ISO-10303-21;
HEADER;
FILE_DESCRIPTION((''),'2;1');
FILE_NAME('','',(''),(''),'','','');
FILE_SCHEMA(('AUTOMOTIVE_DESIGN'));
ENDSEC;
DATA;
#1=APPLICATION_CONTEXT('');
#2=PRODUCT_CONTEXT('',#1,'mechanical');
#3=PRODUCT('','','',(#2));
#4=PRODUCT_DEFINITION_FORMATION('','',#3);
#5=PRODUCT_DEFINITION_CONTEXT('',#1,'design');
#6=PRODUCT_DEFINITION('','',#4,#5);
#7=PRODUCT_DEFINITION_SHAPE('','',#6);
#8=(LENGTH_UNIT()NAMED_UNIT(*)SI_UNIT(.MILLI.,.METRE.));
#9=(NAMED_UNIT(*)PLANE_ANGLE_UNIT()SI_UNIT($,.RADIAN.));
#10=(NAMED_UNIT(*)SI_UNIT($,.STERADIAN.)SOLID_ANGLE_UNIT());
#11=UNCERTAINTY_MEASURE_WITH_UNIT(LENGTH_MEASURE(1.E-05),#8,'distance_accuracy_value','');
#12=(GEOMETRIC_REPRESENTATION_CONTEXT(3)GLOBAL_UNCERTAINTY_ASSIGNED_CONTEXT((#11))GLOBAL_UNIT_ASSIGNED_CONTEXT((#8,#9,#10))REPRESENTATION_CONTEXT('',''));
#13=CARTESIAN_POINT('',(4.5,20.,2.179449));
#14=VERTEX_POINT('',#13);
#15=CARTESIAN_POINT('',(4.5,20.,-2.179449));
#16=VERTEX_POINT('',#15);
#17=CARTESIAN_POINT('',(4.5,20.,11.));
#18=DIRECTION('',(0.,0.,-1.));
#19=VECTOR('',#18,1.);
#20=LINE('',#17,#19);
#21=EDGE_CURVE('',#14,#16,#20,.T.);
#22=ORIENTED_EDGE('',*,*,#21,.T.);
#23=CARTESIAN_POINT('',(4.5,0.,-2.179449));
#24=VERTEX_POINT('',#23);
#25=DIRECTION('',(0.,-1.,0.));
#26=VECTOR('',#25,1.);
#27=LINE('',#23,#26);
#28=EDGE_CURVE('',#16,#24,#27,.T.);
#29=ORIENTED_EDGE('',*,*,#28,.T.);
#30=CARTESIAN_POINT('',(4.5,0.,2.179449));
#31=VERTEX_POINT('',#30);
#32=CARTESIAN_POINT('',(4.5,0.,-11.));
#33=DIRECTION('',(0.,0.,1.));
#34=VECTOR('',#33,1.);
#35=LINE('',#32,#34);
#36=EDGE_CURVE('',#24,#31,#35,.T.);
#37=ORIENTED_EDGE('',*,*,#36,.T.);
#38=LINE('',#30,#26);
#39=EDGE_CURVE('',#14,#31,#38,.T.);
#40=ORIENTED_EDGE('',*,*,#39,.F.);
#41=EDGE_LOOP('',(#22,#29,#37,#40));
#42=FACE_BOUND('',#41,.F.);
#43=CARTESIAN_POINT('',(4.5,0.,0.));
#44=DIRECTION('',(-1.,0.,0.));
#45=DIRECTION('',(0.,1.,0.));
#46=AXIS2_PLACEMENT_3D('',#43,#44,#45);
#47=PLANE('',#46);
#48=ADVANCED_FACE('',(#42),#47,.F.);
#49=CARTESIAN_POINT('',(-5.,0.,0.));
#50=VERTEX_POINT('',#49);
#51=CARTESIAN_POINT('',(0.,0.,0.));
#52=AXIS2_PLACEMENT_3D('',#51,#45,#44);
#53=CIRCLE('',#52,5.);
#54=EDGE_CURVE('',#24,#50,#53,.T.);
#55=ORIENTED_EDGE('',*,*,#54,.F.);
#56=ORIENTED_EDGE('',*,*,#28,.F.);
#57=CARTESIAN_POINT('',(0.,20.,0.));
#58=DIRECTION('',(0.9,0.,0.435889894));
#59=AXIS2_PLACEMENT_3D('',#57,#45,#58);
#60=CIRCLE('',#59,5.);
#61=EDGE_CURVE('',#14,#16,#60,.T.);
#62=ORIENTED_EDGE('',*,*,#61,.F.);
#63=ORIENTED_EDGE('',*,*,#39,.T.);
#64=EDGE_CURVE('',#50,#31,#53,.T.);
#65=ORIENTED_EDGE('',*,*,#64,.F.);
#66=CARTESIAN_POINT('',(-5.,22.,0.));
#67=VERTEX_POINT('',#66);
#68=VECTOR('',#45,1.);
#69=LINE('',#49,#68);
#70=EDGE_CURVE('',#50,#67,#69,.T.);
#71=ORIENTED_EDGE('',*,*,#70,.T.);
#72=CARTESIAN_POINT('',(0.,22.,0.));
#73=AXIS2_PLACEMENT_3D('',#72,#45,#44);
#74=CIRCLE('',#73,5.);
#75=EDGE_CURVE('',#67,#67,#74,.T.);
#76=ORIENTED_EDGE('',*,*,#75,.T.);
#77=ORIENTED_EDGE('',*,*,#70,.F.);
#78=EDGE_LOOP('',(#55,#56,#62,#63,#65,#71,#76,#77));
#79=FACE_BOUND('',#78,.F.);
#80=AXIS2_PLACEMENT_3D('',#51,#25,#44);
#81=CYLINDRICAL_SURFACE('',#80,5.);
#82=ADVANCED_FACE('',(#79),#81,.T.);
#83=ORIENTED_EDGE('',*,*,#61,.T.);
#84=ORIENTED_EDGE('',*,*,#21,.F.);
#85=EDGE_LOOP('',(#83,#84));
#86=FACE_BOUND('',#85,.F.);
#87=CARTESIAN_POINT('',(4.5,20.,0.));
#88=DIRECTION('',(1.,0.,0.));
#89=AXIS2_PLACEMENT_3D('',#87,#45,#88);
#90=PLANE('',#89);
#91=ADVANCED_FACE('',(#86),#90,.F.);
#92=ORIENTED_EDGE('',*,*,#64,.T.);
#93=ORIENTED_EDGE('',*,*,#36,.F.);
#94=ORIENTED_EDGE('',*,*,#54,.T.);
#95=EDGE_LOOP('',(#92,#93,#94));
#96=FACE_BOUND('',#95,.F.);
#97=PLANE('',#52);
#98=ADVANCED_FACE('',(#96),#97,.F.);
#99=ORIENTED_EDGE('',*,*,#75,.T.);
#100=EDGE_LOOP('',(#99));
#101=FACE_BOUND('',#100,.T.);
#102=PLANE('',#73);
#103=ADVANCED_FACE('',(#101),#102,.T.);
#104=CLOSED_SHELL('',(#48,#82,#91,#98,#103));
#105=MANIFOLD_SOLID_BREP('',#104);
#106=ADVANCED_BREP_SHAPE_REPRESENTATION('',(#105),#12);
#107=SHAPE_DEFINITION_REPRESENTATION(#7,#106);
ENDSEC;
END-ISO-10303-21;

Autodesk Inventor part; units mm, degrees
ref_plane "YZ Plane" through (0, 0, 0) normal (1, 0, 0) x (0, 1, 0)
ref_plane "XZ Plane" through (0, 0, 0) normal (0, 1, 0) x (-1, 0, 0)
ref_plane "XY Plane" through (0, 0, 0) normal (0, 0, 1) x (1, 0, 0)
sketch "スケッチ1" plane through (0, 0, 0) normal (0, 1, 0) x (-1, 0, 0)
  circle A0 centre (0, 0) radius 5
  dimension "d0" = 10
extrude "押し出し1" add sketch "スケッチ1" along normal blind 22
sketch "スケッチ2" plane through (0, 0, 0) normal (0, 0, 1) x (1, 0, 0)
  line L0 (-5, 0) -> (5, 0) projected
  line L1 (5, 0) -> (4.5, 0)
  line L2 (4.5, 0) -> (4.5, 20)
  line L3 (4.5, 20) -> (5, 20)
  line L4 (5, 20) -> (5, 0)
  point P0 (0, 0)
  dimension "d3" = 0.5
  dimension "d4" = 20
extrude "押し出し2" cut sketch "スケッチ2" along normal mid plane 22
properties part number "shaft"
